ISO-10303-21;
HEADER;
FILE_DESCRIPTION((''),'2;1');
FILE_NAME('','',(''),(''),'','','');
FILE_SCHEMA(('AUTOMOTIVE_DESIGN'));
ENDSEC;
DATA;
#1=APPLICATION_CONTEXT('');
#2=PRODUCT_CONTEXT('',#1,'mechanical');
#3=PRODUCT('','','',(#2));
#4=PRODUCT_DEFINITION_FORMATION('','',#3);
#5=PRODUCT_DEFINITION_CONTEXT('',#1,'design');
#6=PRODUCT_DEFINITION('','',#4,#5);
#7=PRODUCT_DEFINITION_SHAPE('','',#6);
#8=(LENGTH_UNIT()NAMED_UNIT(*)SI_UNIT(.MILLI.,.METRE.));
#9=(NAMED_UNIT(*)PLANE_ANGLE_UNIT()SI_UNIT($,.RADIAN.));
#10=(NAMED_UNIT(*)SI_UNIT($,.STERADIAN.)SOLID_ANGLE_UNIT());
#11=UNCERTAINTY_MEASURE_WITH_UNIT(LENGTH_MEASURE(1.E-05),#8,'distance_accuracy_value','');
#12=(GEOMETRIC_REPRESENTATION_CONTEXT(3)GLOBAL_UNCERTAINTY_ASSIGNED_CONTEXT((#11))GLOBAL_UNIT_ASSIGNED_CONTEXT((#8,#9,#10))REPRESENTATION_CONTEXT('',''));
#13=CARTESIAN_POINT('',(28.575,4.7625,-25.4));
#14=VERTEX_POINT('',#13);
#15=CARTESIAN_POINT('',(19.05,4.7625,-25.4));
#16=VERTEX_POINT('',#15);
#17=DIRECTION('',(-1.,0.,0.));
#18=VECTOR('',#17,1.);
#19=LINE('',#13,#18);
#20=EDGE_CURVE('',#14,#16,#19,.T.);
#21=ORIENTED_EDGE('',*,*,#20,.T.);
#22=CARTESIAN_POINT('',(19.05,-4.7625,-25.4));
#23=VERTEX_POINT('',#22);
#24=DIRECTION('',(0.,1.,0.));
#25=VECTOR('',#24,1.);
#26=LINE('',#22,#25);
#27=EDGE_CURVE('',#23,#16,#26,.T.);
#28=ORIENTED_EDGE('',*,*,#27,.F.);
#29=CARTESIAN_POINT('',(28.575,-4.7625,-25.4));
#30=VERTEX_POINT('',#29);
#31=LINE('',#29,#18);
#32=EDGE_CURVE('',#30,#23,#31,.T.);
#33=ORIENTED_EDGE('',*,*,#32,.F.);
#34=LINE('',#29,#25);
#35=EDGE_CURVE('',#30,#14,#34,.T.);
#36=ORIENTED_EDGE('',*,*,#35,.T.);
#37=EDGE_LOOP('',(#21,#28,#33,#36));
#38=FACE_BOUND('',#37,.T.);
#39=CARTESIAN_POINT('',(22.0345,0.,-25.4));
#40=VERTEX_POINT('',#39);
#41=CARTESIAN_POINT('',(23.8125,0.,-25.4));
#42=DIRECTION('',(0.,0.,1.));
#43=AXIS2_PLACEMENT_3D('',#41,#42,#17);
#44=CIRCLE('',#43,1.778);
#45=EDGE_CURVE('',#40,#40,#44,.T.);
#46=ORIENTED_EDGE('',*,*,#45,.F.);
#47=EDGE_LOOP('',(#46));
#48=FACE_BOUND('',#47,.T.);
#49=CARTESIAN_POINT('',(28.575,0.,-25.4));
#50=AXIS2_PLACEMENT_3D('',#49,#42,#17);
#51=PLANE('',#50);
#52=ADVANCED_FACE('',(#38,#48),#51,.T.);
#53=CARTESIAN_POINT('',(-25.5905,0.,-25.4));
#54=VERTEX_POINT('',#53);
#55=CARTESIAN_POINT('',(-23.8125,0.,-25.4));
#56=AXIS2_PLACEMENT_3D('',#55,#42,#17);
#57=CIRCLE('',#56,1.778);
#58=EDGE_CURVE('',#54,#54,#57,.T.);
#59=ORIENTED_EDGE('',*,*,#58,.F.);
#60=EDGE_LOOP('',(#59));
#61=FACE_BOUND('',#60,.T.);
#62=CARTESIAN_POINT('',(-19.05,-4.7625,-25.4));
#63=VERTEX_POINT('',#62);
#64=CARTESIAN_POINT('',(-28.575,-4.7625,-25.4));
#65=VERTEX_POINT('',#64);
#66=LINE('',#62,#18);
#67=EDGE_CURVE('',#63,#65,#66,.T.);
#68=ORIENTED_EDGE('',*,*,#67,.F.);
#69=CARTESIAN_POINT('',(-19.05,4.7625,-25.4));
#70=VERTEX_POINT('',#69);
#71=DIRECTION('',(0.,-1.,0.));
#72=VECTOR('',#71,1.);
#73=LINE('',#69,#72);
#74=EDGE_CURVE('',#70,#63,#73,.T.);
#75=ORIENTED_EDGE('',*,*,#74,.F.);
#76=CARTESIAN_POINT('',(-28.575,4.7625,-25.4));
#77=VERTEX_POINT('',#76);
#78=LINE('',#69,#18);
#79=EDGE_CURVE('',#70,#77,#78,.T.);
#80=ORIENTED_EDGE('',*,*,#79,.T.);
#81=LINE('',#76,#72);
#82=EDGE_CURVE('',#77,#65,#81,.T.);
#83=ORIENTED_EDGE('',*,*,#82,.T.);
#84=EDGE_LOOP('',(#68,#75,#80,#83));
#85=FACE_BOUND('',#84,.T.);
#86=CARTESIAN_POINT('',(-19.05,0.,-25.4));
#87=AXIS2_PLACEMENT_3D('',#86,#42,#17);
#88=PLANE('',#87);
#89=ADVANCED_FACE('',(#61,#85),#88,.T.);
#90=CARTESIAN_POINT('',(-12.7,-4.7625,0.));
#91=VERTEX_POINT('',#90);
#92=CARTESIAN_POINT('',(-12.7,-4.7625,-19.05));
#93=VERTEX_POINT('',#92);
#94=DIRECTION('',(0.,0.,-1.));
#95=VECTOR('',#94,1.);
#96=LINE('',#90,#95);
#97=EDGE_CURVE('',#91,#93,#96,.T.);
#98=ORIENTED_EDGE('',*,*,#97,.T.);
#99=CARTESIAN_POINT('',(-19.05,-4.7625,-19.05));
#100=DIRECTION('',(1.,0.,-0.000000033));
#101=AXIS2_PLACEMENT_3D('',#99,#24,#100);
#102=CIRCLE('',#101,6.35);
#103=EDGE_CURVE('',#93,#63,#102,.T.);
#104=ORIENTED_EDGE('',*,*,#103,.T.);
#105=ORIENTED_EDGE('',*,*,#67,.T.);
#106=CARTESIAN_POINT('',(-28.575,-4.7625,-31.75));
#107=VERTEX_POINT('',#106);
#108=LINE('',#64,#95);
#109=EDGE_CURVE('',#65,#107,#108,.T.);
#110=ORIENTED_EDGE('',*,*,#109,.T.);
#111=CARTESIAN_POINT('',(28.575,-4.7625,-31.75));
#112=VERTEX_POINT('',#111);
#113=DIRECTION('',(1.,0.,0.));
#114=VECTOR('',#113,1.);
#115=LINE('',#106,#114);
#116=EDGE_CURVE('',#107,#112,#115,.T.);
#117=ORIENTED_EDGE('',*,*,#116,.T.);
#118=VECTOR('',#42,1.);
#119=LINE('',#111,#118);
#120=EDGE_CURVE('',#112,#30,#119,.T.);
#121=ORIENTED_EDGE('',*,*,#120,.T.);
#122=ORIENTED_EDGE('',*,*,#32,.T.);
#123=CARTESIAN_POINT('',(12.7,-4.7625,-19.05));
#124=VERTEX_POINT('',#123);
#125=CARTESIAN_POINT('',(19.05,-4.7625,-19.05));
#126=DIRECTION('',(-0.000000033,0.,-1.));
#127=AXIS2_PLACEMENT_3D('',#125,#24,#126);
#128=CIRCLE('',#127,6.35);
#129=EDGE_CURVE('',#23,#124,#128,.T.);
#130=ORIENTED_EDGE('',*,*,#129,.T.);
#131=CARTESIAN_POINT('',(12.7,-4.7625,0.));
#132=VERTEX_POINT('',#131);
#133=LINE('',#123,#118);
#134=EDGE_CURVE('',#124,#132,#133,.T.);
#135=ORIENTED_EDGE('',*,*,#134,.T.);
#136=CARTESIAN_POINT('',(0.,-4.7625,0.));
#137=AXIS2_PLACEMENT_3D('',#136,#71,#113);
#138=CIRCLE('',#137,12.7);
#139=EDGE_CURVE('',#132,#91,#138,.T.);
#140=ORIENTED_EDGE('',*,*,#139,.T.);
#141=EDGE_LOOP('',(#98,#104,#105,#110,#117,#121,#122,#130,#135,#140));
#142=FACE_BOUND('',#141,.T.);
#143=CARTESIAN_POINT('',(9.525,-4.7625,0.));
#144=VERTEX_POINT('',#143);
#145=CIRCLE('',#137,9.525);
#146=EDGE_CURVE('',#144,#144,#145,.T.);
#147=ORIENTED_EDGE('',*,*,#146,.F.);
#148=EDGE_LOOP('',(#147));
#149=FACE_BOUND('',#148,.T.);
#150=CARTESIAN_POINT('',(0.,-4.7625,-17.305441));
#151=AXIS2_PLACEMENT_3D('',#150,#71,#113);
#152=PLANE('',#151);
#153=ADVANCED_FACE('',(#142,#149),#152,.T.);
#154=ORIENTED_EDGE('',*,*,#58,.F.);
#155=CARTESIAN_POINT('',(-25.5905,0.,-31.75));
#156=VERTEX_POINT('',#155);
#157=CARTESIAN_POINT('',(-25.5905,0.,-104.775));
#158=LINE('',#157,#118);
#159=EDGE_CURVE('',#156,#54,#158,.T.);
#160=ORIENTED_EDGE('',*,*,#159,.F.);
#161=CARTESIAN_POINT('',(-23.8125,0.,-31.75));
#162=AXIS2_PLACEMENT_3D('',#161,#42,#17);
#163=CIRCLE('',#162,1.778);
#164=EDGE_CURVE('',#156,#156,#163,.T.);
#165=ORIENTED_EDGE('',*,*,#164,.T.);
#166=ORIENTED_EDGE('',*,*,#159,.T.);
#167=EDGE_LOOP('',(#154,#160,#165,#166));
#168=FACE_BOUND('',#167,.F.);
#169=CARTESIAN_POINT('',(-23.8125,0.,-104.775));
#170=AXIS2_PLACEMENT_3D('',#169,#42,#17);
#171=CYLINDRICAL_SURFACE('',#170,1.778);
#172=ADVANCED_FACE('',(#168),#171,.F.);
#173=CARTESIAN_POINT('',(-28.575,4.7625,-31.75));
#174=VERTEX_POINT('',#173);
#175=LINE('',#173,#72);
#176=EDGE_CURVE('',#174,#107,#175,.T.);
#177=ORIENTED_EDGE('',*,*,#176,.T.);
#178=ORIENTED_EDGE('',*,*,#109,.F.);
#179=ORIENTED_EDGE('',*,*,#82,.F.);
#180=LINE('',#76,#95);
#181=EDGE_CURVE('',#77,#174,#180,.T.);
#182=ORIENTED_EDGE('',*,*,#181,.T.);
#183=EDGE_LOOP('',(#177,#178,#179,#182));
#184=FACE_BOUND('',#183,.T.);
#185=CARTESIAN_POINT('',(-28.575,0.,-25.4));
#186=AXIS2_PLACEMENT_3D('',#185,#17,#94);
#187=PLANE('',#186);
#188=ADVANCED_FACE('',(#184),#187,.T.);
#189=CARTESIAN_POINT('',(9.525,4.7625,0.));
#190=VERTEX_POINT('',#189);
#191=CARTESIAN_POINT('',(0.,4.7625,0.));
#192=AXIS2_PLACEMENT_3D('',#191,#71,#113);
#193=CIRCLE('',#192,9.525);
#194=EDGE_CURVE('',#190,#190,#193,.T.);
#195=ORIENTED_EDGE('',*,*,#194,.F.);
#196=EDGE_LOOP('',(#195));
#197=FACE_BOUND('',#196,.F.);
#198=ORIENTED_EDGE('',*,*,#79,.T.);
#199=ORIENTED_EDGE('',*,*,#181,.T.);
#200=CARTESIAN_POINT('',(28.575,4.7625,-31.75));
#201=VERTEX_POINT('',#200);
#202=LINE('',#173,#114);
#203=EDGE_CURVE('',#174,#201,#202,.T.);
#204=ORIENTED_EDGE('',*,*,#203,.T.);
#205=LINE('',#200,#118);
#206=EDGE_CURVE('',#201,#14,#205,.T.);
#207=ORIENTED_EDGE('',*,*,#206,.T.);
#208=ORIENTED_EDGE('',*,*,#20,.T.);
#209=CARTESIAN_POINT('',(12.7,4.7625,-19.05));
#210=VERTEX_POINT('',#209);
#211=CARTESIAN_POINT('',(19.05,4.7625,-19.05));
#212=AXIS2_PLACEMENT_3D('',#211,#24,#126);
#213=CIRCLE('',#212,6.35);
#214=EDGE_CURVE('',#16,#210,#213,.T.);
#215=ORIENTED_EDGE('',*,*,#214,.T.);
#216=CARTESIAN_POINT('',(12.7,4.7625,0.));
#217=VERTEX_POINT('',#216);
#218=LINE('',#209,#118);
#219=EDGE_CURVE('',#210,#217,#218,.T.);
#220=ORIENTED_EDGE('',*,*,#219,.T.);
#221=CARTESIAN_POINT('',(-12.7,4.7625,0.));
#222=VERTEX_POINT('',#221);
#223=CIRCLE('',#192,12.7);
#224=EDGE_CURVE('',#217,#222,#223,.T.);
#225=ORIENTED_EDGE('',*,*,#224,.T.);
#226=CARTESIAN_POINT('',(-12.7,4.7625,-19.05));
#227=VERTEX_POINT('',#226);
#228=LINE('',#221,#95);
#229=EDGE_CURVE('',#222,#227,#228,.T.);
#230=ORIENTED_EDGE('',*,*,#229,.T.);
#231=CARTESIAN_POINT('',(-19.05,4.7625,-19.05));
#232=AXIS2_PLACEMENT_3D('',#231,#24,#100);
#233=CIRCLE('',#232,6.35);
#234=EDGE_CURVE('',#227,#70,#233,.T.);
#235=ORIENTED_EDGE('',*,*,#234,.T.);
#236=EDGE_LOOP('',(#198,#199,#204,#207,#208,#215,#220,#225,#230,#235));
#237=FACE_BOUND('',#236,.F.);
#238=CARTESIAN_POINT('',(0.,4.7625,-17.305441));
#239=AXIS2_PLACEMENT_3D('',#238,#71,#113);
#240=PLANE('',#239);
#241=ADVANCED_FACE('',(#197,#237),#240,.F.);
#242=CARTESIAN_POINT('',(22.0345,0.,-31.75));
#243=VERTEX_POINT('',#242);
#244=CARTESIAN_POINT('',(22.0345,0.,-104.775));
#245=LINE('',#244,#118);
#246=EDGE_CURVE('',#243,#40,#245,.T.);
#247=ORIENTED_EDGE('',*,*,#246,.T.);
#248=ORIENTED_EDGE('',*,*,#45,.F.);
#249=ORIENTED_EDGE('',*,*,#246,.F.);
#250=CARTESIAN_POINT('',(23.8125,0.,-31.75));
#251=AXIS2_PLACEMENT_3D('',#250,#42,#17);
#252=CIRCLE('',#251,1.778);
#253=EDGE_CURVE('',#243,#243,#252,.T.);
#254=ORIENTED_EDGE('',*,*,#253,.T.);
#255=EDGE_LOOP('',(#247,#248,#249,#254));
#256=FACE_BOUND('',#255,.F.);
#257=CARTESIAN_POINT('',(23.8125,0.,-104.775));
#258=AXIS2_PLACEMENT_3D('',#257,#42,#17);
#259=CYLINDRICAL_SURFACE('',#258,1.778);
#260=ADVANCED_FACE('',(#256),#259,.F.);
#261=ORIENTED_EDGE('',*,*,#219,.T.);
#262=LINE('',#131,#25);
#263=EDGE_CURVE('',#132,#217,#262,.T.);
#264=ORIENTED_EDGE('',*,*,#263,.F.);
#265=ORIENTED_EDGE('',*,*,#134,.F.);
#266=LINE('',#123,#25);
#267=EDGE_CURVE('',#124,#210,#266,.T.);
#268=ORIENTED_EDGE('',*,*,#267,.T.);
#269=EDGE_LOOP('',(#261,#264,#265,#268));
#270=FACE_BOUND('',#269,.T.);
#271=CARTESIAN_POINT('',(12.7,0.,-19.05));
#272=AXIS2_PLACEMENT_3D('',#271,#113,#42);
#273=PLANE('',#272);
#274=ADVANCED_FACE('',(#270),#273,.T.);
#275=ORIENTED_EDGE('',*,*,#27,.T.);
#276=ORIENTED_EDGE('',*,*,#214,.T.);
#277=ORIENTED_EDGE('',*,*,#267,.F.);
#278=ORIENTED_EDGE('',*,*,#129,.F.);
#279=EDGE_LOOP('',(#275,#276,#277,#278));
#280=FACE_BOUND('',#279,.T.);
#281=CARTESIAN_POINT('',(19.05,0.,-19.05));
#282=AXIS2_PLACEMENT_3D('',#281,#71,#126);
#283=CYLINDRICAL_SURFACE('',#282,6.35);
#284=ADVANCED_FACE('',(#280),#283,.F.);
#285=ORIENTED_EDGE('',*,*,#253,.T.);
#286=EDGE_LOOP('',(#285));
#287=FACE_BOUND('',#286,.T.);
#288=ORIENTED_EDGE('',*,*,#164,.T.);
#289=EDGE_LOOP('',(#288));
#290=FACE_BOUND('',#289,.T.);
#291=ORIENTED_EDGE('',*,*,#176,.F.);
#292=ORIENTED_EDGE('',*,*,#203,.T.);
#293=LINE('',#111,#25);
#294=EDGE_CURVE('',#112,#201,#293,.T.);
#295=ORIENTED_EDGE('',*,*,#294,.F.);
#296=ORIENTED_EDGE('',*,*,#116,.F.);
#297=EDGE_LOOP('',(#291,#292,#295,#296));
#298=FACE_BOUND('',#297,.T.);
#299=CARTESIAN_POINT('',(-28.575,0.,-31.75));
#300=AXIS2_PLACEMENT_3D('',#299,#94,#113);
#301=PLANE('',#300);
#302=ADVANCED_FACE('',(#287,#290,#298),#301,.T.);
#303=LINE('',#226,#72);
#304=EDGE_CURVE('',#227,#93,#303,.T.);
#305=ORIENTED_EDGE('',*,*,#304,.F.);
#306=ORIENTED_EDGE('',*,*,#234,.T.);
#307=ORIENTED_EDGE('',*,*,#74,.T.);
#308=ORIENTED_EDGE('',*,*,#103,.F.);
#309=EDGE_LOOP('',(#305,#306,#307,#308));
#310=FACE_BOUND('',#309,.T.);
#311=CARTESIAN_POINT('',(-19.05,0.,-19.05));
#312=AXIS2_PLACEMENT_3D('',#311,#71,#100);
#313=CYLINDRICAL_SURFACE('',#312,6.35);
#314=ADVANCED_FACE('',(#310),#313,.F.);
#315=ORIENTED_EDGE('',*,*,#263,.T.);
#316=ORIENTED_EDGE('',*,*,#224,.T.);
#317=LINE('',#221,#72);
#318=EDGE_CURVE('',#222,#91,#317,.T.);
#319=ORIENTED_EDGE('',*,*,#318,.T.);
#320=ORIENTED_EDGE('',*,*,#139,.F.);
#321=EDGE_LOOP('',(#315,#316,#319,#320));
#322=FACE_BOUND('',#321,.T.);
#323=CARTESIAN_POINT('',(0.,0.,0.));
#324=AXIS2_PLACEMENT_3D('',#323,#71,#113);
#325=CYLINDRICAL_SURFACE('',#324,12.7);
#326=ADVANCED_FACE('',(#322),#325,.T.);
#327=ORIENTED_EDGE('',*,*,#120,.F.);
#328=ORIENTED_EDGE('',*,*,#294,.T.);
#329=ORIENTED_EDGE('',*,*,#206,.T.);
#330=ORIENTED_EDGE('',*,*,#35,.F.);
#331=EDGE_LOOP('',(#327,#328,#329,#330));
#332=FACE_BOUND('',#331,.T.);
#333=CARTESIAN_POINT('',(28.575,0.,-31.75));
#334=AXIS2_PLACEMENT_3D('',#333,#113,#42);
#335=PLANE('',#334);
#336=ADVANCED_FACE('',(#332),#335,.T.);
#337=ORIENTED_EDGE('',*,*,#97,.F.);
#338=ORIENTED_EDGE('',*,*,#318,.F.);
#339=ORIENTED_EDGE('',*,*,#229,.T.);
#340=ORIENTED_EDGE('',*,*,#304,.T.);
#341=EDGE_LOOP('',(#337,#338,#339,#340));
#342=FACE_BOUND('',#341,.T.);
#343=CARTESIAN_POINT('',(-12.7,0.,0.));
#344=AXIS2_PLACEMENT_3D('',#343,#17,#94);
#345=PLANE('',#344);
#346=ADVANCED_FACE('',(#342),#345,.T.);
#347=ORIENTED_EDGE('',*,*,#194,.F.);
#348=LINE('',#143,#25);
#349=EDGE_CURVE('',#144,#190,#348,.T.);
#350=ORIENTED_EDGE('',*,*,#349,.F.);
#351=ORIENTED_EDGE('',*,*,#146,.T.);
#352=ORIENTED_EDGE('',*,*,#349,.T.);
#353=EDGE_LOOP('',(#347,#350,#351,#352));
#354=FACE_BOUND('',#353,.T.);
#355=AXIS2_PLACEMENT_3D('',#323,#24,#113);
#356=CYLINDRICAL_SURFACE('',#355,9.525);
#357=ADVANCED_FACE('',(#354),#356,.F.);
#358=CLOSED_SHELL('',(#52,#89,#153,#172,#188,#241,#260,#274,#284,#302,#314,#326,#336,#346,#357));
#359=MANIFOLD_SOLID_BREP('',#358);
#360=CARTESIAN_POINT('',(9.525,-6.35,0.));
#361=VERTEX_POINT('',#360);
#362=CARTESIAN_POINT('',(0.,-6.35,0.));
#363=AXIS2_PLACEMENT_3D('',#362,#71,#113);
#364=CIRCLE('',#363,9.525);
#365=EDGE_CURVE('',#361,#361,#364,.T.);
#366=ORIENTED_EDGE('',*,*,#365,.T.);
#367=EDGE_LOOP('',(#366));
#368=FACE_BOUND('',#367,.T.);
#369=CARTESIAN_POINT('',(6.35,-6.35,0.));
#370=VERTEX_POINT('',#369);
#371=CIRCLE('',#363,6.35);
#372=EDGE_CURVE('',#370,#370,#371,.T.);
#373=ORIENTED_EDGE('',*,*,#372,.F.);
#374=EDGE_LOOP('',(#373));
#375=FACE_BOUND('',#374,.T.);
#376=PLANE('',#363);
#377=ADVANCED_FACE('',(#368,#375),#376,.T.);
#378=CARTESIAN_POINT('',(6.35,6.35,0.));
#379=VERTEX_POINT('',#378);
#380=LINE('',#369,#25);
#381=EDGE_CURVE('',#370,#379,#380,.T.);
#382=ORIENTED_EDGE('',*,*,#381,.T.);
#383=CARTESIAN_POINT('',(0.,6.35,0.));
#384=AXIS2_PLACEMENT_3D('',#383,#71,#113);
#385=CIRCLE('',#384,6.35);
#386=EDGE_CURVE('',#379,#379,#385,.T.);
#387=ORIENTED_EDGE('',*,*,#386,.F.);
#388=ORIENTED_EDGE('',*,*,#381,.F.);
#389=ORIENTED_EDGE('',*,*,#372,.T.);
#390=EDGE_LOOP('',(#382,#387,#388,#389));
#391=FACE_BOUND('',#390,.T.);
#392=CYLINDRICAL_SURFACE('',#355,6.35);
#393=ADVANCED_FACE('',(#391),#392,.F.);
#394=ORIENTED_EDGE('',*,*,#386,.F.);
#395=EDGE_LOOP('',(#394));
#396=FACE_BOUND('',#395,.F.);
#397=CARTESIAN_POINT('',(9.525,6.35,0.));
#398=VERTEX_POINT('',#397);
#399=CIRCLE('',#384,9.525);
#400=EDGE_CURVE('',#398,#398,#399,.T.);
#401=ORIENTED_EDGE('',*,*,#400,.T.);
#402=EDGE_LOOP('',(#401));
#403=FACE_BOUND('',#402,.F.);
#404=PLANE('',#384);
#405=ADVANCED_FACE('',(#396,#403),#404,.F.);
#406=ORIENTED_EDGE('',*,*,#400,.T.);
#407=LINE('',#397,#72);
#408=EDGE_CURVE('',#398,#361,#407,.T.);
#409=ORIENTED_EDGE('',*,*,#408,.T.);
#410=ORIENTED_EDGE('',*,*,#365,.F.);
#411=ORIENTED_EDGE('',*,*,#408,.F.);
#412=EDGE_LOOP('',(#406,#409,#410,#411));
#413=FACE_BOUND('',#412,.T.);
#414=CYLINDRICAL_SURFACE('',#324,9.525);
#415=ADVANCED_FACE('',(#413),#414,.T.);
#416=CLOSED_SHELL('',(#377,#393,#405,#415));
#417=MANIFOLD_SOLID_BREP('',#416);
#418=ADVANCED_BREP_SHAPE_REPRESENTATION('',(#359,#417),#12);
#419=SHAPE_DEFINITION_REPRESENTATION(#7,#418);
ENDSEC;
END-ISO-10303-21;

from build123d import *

# Parameters (mm, degrees)
F0_R     = 9.525
F1_DEPTH = 4.7625
F3_D     = 3.556
F4_R     = 9.525
F4_R_2   = 6.35
F5_DEPTH = 6.35


with BuildPart() as f1:
    # F0 (on Front) → F1 (new body, symmetric)
    with BuildSketch(Plane.XZ):
        with BuildLine():
            ThreePointArc((12.7, 0), (0, 12.7), (-12.7, 0))
            Line((-12.7, 0), (-12.7, -19.05))
            ThreePointArc((-12.7, -19.05), (-14.559872, -23.540128), (-19.05, -25.4))
            Line((-19.05, -25.4), (-28.575, -25.4))
            Line((-28.575, -25.4), (-28.575, -31.75))
            Line((-28.575, -31.75), (28.575, -31.75))
            Line((28.575, -31.75), (28.575, -25.4))
            Line((28.575, -25.4), (19.05, -25.4))
            ThreePointArc((19.05, -25.4), (14.559872, -23.540128), (12.7, -19.05))
            Line((12.7, -19.05), (12.7, 0))
        make_face()
        Circle(F0_R, mode=Mode.SUBTRACT)
    extrude(amount=F1_DEPTH, both=True)

    # F3 (through all)
    with Locations(Plane(origin=(0, 0, -31.75), x_dir=(1, 0, 0), z_dir=(0, 0, -1))):
        with Locations((-23.8125, 0), (23.8125, 0)):
            Hole(F3_D / 2)


with BuildPart() as f5:
    # F4 (on Front) → F5 (new body, symmetric)
    with BuildSketch(Plane.XZ):
        Circle(F4_R)
        Circle(F4_R_2, mode=Mode.SUBTRACT)
    extrude(amount=F5_DEPTH, both=True)


solid = Compound([f1.part, f5.part])
